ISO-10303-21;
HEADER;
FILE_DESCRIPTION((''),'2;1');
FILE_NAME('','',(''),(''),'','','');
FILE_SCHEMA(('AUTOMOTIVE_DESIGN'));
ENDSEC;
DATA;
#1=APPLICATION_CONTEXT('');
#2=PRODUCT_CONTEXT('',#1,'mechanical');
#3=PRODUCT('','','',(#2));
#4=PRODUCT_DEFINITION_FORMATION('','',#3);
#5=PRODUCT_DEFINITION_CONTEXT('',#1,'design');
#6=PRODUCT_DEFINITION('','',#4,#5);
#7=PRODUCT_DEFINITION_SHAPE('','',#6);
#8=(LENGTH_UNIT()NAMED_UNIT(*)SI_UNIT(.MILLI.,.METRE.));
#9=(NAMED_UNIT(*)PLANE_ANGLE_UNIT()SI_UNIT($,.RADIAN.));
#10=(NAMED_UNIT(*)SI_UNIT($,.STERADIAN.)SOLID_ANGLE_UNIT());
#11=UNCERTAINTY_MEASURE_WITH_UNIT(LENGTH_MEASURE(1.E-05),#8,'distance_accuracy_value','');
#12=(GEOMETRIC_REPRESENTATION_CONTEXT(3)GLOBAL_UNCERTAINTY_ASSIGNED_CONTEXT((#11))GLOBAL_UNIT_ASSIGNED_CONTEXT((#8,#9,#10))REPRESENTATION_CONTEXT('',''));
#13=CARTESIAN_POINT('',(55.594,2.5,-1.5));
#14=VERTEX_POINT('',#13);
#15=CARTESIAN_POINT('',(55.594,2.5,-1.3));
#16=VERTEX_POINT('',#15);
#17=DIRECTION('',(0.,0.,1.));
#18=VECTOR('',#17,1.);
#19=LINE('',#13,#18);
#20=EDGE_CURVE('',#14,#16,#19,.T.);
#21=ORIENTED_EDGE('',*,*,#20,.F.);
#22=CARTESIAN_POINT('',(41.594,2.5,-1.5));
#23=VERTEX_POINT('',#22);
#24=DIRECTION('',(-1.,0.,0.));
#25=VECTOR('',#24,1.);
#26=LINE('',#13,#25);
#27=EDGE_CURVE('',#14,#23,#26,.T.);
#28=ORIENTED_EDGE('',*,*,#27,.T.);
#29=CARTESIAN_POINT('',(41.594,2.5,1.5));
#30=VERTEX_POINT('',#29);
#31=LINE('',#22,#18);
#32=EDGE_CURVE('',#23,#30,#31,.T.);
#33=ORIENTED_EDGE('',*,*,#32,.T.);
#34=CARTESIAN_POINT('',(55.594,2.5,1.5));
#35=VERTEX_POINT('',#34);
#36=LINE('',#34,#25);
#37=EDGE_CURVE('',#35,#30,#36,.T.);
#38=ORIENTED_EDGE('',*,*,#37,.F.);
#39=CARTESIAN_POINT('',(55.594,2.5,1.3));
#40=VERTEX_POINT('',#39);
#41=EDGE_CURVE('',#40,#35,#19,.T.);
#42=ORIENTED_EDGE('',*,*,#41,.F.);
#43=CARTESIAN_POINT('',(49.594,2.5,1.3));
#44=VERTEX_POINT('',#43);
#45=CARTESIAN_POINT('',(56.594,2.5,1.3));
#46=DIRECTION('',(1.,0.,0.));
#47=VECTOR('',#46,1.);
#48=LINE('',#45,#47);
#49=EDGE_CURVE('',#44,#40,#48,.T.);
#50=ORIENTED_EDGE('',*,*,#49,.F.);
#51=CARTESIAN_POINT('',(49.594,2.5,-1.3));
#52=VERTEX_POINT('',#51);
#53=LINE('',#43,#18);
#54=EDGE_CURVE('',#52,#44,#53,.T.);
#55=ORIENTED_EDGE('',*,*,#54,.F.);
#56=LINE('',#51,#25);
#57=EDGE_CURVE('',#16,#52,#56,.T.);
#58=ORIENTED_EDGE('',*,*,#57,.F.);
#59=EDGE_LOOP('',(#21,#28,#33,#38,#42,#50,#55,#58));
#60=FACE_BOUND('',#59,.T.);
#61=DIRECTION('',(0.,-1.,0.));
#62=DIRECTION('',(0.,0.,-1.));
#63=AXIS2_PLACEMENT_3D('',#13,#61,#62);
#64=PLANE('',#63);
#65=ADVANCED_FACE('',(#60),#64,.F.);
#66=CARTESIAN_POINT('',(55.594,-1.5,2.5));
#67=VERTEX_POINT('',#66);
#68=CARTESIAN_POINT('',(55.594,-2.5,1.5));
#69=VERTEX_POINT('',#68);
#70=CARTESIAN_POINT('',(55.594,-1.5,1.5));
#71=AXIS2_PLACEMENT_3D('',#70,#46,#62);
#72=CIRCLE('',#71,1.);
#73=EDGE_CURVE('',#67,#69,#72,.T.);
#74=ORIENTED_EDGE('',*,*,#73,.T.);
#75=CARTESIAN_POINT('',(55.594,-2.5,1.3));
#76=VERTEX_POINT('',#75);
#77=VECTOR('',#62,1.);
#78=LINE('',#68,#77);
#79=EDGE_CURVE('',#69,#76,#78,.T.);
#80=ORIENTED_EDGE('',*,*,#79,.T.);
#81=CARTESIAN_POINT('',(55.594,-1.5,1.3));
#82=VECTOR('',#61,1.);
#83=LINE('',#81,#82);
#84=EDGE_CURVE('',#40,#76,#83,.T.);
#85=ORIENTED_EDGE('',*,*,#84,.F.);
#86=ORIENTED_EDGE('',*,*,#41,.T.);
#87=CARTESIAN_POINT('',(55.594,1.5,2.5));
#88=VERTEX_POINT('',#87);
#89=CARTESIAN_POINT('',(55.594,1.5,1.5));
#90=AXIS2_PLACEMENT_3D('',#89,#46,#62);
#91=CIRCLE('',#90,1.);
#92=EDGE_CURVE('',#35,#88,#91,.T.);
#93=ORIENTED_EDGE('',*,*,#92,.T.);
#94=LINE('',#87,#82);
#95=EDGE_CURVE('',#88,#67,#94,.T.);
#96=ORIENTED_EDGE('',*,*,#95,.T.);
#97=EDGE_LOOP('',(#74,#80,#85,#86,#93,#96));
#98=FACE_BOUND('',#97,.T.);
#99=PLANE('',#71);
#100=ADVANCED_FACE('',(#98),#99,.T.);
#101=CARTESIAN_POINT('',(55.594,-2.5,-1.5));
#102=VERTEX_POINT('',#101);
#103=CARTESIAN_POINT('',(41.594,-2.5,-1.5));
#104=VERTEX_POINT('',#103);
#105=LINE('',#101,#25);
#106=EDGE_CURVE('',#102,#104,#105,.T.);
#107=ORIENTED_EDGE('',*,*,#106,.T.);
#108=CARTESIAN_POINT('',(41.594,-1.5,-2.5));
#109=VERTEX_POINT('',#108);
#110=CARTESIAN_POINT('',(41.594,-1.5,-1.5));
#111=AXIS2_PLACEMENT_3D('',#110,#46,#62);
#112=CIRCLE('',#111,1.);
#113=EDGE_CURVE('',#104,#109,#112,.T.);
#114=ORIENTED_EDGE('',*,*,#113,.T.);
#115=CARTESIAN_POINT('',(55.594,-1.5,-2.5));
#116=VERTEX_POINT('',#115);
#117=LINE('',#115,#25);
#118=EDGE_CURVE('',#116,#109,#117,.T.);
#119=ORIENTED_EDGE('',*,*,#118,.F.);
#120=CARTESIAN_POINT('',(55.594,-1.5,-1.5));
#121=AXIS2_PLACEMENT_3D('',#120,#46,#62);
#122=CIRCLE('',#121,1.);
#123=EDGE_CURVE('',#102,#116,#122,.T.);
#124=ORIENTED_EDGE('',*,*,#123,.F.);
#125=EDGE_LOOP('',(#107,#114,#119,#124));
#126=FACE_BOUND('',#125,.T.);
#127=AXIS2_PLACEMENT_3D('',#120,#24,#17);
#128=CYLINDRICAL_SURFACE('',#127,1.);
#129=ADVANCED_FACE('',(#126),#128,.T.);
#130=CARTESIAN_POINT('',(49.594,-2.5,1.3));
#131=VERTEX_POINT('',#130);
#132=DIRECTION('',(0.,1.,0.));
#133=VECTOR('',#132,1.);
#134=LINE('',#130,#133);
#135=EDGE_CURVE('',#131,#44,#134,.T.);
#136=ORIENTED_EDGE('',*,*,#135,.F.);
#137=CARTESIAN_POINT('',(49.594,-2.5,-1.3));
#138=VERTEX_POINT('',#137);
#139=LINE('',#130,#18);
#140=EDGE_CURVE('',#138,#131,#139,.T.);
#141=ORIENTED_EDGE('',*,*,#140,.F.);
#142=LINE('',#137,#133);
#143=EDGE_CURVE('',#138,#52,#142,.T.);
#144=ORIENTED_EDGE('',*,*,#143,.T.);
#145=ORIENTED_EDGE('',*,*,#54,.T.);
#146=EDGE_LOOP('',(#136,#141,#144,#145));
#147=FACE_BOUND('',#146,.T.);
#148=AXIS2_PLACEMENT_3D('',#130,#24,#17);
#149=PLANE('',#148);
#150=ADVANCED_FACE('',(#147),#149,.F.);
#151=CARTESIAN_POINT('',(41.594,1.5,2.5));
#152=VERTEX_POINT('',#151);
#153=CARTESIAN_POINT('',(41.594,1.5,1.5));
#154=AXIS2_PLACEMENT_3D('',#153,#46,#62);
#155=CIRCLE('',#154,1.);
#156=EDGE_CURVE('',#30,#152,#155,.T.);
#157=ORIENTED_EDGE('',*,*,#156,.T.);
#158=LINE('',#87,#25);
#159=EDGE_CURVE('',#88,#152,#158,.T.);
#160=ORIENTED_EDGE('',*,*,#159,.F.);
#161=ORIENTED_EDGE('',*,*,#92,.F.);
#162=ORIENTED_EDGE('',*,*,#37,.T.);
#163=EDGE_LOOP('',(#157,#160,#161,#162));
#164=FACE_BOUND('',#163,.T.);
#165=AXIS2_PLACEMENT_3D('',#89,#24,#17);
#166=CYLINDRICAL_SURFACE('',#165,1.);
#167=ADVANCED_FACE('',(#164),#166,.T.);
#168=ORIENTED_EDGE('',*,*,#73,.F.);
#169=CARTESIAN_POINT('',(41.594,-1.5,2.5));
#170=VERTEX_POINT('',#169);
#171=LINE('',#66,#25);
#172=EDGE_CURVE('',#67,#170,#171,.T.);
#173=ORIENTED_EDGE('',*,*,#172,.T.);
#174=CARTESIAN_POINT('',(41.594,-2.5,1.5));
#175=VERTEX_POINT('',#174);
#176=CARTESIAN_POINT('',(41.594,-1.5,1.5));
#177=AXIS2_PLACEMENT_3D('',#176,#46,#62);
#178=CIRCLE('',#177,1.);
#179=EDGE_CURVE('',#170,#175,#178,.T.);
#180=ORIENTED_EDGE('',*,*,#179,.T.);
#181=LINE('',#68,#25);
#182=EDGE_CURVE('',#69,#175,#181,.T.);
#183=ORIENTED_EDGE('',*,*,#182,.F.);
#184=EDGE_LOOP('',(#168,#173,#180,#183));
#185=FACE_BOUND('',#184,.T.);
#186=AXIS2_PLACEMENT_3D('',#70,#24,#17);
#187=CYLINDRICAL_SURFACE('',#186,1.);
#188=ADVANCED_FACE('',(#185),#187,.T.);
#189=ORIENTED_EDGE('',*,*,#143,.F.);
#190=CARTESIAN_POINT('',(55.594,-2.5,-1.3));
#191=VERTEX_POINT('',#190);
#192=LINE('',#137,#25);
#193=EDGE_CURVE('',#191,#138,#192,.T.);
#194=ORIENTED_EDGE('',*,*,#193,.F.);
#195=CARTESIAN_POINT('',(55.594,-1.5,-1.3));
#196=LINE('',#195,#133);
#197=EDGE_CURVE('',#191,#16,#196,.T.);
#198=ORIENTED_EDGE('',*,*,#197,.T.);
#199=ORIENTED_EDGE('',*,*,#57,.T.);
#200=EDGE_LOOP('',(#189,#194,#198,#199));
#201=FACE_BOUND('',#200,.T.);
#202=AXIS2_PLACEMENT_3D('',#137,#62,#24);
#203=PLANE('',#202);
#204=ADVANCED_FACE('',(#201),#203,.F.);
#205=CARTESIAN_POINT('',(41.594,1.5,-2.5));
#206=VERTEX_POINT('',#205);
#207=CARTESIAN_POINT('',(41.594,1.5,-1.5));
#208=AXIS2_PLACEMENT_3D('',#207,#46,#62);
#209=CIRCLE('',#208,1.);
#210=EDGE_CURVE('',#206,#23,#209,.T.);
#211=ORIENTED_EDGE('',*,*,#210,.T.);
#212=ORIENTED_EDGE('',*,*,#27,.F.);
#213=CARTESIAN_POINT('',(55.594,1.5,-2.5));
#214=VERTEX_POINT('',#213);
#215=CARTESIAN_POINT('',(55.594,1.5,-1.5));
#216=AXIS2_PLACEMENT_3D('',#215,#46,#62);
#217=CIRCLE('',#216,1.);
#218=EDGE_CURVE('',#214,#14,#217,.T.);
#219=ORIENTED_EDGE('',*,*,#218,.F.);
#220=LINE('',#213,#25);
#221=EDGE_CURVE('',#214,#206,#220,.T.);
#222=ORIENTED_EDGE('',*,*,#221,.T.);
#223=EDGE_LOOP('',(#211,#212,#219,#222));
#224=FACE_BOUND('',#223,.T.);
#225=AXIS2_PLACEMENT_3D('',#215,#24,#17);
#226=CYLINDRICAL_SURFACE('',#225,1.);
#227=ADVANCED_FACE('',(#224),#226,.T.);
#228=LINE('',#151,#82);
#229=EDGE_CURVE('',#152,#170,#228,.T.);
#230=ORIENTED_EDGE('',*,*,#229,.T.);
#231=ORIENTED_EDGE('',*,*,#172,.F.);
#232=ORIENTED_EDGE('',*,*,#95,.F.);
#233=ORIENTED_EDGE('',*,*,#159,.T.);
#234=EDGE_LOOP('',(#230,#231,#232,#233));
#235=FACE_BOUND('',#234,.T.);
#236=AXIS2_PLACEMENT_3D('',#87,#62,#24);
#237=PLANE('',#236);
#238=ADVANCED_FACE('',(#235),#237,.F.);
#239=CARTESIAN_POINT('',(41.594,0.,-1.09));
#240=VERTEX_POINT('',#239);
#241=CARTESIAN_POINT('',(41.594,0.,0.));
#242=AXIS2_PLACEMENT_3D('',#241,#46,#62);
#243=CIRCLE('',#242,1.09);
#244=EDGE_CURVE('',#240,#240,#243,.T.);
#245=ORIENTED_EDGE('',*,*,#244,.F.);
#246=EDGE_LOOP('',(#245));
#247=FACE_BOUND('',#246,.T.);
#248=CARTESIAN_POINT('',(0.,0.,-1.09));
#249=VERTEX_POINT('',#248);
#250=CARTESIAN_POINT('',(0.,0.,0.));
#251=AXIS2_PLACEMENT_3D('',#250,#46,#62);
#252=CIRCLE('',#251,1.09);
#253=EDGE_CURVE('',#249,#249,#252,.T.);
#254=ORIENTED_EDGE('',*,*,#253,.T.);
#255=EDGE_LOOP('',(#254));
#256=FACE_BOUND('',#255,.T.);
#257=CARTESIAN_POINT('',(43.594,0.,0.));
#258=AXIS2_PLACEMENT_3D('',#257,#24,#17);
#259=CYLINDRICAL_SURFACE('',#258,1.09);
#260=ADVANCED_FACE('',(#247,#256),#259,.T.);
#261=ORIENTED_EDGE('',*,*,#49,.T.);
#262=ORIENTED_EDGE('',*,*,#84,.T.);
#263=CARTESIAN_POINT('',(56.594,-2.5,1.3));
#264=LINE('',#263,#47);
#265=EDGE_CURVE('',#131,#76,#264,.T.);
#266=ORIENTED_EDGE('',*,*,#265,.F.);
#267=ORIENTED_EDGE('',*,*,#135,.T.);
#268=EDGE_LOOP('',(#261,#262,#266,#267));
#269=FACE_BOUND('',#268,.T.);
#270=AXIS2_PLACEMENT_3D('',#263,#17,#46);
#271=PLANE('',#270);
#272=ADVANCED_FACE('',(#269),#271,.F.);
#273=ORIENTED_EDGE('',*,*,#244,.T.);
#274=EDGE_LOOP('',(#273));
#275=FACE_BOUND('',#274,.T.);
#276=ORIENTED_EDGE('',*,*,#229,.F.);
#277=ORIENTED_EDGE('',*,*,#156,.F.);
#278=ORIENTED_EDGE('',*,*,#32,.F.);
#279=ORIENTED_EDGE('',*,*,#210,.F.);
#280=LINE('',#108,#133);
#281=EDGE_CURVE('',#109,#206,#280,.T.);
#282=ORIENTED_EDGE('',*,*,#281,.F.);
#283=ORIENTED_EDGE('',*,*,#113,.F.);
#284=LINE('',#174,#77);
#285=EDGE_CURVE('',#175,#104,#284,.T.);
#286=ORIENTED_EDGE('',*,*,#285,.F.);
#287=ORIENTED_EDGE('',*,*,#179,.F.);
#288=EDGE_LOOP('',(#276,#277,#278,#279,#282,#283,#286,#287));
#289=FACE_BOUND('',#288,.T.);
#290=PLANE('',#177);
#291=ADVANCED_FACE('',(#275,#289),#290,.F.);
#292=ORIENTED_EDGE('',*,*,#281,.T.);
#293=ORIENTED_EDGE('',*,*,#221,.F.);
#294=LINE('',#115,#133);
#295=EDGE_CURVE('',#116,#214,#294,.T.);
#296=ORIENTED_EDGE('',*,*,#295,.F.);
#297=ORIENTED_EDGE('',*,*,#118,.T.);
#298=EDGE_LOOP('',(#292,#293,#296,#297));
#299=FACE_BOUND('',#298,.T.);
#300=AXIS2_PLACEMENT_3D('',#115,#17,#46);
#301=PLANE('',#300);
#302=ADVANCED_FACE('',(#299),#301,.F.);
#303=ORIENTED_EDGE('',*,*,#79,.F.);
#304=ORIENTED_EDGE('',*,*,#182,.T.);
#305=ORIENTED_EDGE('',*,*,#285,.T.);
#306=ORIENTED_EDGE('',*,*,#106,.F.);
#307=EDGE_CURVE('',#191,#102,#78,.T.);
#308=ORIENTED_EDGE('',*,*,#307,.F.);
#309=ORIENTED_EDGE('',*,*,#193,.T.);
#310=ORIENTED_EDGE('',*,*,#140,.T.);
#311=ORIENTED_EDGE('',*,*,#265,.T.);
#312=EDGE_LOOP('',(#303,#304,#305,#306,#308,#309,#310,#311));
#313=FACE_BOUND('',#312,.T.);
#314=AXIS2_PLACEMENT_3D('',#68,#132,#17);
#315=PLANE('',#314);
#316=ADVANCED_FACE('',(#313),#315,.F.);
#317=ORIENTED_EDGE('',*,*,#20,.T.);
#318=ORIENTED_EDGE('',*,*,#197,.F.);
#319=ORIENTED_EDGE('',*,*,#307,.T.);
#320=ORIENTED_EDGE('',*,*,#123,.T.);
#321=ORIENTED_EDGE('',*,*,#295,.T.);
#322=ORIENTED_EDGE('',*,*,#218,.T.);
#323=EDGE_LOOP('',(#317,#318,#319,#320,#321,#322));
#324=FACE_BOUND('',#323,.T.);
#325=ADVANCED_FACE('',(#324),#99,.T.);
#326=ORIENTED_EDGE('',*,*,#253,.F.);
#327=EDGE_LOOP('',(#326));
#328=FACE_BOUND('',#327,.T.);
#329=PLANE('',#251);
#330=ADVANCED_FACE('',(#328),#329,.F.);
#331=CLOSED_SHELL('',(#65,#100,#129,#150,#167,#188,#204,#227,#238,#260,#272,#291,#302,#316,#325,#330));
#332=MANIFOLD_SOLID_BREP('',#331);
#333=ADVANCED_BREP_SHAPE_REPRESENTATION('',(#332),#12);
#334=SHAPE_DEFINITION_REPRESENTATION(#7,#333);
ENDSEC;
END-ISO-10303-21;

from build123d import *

# Parameters (mm, degrees)
SKETCH1_R               = 1.09
BOSS_EXTRUDE1_DEPTH     = 43.594
BOSS_EXTRUDE2_DEPTH     = 14
CUT_EXTRUDE1_DEPTH      = 56.706308763
CUT_EXTRUDE1_DEPTH_BACK = 56.706308763
SKETCH3_W               = 7
SKETCH3_H               = 2.6


with BuildPart() as part:
    # Sketch1 → Boss-Extrude1 (new body)
    with BuildSketch(Plane(origin=(0, 0, 0), x_dir=(0, 0, -1), z_dir=(1, 0, 0))):
        Circle(SKETCH1_R)
    extrude(amount=BOSS_EXTRUDE1_DEPTH)

    # Sketch2 → Boss-Extrude2 (add)
    with BuildSketch(Plane(origin=(41.594, 0, 0), x_dir=(0, 0, -1), z_dir=(1, 0, 0))):
        with BuildLine():
            Line((-1.5, -2.5), (1.5, -2.5))
            ThreePointArc((1.5, -2.5), (2.207106781, -2.207106781), (2.5, -1.5))
            Line((2.5, -1.5), (2.5, 1.5))
            ThreePointArc((2.5, 1.5), (2.207106781, 2.207106781), (1.5, 2.5))
            Line((1.5, 2.5), (-1.5, 2.5))
            ThreePointArc((-1.5, 2.5), (-2.207106781, 2.207106781), (-2.5, 1.5))
            Line((-2.5, 1.5), (-2.5, -1.5))
            ThreePointArc((-2.5, -1.5), (-2.207106781, -2.207106781), (-1.5, -2.5))
        make_face()
    extrude(amount=BOSS_EXTRUDE2_DEPTH)

    # Sketch3 → Cut-Extrude1 (cut, two sides: drawn at the far end of the back side and taken through both)
    with BuildSketch(Plane(origin=(0, 0, 0), x_dir=(1, 0, 0), z_dir=(0, 1, 0)).offset(-CUT_EXTRUDE1_DEPTH_BACK)):
        with Locations((53.094, 0)):
            Rectangle(SKETCH3_W, SKETCH3_H)
    extrude(amount=CUT_EXTRUDE1_DEPTH + CUT_EXTRUDE1_DEPTH_BACK, mode=Mode.SUBTRACT)


solid = part.part
